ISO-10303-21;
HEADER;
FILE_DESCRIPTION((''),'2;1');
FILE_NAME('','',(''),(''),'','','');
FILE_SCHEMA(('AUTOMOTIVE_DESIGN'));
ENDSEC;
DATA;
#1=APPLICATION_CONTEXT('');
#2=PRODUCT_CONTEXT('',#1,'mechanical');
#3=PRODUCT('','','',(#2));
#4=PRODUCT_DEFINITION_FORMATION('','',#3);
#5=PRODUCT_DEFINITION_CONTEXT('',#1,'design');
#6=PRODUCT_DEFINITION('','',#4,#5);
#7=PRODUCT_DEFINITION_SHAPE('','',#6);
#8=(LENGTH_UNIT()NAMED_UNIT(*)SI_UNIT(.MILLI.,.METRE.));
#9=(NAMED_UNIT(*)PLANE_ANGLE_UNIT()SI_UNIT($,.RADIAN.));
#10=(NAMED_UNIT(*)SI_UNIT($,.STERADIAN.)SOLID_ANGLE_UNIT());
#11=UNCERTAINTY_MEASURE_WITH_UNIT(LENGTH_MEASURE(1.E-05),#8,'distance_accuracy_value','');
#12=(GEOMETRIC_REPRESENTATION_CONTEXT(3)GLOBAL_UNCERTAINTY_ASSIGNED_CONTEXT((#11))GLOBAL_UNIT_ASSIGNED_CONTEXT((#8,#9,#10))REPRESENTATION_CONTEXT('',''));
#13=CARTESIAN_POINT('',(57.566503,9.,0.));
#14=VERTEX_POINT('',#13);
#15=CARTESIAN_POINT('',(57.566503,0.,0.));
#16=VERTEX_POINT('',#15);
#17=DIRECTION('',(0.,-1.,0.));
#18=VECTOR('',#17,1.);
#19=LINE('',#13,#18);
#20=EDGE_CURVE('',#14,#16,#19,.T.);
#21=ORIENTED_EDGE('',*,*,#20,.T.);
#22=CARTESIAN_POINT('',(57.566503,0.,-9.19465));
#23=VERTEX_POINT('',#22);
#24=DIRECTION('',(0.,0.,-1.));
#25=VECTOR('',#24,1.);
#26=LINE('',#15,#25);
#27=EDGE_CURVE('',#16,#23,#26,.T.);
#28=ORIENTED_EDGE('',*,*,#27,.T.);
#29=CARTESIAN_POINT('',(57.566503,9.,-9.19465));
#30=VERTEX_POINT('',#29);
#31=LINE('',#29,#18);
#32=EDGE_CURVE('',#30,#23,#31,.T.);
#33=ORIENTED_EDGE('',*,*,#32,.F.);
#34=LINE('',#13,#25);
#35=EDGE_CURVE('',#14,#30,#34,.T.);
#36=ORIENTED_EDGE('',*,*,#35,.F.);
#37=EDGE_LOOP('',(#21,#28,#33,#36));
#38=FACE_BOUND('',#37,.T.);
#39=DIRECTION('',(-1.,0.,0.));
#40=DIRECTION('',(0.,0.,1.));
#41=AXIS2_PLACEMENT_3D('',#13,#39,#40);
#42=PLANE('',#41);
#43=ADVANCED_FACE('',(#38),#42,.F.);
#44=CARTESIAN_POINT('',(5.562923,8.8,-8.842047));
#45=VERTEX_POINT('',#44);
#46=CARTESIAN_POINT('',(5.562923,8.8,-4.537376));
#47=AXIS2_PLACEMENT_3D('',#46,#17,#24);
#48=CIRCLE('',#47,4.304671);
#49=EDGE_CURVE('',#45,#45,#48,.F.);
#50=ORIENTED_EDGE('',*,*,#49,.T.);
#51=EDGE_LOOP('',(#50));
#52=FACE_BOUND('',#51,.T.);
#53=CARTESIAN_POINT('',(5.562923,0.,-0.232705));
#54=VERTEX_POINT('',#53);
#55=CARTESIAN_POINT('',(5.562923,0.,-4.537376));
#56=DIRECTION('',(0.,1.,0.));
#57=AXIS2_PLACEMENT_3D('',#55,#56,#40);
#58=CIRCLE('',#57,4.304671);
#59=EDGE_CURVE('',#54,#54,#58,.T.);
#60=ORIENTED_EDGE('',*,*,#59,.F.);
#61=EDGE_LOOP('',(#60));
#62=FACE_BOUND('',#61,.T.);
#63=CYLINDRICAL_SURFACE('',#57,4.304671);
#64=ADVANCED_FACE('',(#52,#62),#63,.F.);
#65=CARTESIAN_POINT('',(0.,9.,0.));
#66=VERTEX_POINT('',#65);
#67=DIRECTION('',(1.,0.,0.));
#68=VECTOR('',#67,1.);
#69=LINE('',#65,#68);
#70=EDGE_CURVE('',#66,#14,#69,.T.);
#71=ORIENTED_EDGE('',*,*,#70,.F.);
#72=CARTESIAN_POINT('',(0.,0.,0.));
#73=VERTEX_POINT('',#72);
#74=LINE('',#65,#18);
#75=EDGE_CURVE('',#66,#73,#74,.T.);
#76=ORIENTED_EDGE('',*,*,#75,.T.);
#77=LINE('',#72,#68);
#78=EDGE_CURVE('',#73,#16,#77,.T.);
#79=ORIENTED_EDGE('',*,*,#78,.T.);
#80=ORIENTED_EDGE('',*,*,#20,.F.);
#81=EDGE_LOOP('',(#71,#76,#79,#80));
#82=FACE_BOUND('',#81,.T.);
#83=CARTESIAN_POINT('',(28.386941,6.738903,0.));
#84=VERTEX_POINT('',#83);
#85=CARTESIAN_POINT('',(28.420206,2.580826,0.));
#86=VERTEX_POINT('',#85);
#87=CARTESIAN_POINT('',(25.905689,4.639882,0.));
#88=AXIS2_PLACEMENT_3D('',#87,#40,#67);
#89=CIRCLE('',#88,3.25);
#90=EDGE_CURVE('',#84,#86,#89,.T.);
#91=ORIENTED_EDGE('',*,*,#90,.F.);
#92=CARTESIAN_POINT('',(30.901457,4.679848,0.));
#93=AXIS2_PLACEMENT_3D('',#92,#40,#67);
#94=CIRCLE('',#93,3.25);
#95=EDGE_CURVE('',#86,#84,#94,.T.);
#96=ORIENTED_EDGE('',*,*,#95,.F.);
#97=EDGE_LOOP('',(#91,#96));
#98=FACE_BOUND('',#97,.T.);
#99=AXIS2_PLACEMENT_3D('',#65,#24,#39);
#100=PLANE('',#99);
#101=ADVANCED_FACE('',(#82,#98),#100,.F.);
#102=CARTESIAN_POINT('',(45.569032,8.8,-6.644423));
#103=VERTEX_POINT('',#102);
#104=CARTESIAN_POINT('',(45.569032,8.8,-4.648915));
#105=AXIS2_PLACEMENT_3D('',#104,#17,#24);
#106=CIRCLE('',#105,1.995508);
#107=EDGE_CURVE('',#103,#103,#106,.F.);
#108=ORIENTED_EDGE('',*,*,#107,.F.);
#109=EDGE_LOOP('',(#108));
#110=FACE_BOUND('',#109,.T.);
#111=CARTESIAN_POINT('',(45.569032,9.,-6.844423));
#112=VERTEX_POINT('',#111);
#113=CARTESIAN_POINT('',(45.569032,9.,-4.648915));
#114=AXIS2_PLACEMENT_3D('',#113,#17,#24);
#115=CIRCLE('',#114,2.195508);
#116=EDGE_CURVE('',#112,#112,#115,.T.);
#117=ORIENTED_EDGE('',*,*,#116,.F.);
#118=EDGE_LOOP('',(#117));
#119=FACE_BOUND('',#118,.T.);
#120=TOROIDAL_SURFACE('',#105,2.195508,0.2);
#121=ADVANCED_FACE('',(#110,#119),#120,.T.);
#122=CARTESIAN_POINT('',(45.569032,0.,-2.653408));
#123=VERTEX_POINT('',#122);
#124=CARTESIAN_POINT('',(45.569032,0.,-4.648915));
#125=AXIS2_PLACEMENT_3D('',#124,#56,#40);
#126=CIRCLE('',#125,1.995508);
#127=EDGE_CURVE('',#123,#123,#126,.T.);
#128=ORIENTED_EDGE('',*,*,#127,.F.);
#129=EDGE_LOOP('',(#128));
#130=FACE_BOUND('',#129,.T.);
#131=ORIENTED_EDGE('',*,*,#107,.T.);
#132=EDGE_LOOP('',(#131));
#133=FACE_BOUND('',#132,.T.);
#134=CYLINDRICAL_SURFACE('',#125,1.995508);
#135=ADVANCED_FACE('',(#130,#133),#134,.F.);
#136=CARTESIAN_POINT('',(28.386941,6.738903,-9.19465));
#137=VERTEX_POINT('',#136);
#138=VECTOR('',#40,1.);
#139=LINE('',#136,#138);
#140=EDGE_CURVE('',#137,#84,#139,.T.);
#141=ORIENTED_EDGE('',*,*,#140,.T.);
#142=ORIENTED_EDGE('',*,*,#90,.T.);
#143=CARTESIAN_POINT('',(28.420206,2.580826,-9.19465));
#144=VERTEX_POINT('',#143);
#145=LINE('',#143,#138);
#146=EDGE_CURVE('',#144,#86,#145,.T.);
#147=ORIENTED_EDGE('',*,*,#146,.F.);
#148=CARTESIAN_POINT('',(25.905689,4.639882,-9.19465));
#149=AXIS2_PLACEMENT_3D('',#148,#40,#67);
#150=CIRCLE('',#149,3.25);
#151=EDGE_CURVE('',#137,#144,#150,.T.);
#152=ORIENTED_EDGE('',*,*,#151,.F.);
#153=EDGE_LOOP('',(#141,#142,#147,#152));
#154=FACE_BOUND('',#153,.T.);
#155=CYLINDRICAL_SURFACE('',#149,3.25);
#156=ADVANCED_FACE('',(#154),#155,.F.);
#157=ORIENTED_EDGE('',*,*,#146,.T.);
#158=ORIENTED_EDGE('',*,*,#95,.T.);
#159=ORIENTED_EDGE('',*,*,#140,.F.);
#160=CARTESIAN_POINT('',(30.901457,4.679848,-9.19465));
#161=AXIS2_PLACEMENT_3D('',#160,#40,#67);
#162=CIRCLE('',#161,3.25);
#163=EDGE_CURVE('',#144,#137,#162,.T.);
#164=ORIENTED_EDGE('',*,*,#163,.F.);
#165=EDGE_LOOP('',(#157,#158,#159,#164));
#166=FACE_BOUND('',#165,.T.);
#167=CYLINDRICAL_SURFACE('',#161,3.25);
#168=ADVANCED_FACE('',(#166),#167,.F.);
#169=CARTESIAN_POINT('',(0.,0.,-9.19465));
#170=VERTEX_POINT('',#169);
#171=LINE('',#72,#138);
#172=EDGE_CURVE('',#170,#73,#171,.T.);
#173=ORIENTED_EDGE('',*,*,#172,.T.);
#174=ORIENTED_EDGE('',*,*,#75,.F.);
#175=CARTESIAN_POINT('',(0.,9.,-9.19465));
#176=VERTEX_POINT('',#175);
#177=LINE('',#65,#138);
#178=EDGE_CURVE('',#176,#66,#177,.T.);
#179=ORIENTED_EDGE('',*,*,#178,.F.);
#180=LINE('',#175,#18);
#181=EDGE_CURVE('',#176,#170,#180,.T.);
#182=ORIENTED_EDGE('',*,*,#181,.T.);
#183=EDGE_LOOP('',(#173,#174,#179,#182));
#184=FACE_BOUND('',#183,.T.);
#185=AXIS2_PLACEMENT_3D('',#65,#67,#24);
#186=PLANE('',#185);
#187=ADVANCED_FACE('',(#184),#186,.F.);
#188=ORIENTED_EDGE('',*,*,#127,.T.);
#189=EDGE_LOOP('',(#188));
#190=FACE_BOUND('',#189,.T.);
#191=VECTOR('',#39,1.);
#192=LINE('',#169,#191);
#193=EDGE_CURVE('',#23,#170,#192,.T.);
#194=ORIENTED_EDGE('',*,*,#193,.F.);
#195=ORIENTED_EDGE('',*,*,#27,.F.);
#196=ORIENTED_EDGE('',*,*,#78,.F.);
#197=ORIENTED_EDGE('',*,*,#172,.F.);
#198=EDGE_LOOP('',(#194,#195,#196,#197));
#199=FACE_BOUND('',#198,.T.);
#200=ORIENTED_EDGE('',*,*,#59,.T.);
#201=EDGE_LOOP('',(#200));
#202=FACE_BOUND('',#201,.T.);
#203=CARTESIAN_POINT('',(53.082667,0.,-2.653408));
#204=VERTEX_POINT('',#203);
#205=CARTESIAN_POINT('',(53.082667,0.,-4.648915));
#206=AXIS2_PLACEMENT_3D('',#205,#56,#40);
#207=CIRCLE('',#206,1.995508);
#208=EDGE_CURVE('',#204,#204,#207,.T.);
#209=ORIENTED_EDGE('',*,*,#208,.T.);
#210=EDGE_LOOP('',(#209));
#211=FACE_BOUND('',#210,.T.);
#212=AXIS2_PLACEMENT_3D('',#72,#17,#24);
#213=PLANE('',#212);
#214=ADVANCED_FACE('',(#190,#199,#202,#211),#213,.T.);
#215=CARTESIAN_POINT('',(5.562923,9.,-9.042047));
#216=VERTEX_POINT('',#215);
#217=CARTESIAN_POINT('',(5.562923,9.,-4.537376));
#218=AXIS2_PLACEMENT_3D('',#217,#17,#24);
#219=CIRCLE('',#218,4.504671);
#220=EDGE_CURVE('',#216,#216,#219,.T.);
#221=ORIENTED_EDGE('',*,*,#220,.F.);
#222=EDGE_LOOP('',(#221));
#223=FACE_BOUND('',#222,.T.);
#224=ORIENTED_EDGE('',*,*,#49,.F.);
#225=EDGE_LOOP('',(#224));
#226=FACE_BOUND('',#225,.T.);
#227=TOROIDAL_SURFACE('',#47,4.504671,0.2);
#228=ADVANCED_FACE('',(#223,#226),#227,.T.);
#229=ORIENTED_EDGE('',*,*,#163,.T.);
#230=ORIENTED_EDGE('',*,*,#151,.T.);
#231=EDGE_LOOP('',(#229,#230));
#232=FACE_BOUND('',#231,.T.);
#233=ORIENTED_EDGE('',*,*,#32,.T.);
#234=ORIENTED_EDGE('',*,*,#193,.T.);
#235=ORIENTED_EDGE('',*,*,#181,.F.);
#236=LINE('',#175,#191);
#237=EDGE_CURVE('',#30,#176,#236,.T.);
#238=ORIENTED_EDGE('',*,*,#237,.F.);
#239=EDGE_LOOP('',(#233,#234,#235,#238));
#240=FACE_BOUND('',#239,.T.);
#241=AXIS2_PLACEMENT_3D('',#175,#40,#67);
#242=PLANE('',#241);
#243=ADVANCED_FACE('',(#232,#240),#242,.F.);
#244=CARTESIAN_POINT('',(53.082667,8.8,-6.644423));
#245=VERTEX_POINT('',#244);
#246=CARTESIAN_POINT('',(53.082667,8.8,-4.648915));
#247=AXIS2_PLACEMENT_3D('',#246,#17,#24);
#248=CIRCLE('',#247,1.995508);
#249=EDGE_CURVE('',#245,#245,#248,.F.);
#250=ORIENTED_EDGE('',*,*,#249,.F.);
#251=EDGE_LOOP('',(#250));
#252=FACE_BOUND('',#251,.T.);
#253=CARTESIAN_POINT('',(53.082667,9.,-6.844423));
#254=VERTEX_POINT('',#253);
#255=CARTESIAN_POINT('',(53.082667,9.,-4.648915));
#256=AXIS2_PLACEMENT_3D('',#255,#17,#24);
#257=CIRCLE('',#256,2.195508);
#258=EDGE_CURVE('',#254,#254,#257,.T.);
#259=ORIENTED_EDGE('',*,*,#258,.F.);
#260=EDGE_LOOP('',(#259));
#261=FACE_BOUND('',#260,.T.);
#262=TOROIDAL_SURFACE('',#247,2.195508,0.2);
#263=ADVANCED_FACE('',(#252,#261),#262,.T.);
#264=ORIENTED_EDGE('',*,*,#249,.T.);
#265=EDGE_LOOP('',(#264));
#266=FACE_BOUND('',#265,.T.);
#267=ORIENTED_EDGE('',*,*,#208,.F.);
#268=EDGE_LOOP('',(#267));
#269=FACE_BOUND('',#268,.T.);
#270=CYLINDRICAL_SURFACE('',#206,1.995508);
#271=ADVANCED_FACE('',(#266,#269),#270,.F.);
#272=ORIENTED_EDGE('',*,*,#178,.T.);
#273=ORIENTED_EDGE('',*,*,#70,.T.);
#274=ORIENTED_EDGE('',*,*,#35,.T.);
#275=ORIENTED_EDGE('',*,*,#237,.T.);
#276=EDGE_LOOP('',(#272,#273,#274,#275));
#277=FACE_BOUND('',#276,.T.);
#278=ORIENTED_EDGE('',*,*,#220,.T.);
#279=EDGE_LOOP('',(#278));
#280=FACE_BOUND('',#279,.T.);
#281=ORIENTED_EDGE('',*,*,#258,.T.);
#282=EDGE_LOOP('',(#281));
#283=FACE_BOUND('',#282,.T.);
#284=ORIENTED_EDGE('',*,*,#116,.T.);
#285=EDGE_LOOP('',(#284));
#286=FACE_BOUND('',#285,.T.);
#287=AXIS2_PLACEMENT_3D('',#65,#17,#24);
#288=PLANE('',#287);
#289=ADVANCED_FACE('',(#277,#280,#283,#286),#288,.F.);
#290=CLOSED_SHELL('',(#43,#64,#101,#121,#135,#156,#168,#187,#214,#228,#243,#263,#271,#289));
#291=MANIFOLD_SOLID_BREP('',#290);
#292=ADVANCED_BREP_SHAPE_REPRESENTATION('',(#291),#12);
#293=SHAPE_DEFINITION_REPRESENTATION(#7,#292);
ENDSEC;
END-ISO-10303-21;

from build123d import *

# Parameters (mm, degrees)
SKETCH_1_W          = 57.566503366
SKETCH_1_H          = 9.194649843
EXTRUDE_2_DEPTH     = 9
SKETCH_2_R          = 4.304670881
CUT_EXTRUDE_1_DEPTH = 9
SKETCH_3_R          = 3.25
CUT_EXTRUDE_4_DEPTH = 59.986811199
SKETCH_4_R          = 1.995507564
CUT_EXTRUDE_5_DEPTH = 59.986811199
FILLET_4_R          = 0.2


with BuildPart() as part:
    # 草图1 → 凸台-拉伸2 (new body)
    with BuildSketch(Plane(origin=(0, 0, 0), x_dir=(1, 0, 0), z_dir=(0, 1, 0))):
        with Locations((28.783251683, 4.597324922)):
            Rectangle(SKETCH_1_W, SKETCH_1_H)
    extrude(amount=EXTRUDE_2_DEPTH)

    # 草图2 → 切除-拉伸1 (cut)
    with BuildSketch(Plane(origin=(0, 9, 0), x_dir=(1, 0, 0), z_dir=(0, 1, 0))):
        with Locations(Location((5.562922539, 4.537375707, 0), (0, 0, 270))):
            Circle(SKETCH_2_R)
    extrude(amount=-CUT_EXTRUDE_1_DEPTH, mode=Mode.SUBTRACT)

    # 草图3 → 切除-拉伸4 (cut, through all)
    with BuildSketch(Plane.XY):
        with Locations((25.905689379, 4.639881501)):
            Circle(SKETCH_3_R)
        with Locations((30.901457267, 4.679847644)):
            Circle(SKETCH_3_R)
    extrude(amount=-CUT_EXTRUDE_4_DEPTH, mode=Mode.SUBTRACT)

    # 草图4 → 切除-拉伸5 (cut, through all)
    with BuildSketch(Plane(origin=(0, 9, 0), x_dir=(1, 0, 0), z_dir=(0, 1, 0))):
        with Locations(Location((45.569031787, 4.648915429, 0), (0, 0, 270))):
            Circle(SKETCH_4_R)
        with Locations(Location((53.08266669, 4.648915429, 0), (0, 0, 270))):
            Circle(SKETCH_4_R)
    extrude(amount=-CUT_EXTRUDE_5_DEPTH, mode=Mode.SUBTRACT)

    # 圆角4
    fillet_4_edges = [part.edges().sort_by_distance(p)[0] for p in [
        (5.562922539, 9, -8.842046587),
        (45.569031787, 9, -6.644422993),
        (53.08266669, 9, -6.644422993),
    ]]
    fillet(fillet_4_edges, radius=FILLET_4_R)


solid = part.part
